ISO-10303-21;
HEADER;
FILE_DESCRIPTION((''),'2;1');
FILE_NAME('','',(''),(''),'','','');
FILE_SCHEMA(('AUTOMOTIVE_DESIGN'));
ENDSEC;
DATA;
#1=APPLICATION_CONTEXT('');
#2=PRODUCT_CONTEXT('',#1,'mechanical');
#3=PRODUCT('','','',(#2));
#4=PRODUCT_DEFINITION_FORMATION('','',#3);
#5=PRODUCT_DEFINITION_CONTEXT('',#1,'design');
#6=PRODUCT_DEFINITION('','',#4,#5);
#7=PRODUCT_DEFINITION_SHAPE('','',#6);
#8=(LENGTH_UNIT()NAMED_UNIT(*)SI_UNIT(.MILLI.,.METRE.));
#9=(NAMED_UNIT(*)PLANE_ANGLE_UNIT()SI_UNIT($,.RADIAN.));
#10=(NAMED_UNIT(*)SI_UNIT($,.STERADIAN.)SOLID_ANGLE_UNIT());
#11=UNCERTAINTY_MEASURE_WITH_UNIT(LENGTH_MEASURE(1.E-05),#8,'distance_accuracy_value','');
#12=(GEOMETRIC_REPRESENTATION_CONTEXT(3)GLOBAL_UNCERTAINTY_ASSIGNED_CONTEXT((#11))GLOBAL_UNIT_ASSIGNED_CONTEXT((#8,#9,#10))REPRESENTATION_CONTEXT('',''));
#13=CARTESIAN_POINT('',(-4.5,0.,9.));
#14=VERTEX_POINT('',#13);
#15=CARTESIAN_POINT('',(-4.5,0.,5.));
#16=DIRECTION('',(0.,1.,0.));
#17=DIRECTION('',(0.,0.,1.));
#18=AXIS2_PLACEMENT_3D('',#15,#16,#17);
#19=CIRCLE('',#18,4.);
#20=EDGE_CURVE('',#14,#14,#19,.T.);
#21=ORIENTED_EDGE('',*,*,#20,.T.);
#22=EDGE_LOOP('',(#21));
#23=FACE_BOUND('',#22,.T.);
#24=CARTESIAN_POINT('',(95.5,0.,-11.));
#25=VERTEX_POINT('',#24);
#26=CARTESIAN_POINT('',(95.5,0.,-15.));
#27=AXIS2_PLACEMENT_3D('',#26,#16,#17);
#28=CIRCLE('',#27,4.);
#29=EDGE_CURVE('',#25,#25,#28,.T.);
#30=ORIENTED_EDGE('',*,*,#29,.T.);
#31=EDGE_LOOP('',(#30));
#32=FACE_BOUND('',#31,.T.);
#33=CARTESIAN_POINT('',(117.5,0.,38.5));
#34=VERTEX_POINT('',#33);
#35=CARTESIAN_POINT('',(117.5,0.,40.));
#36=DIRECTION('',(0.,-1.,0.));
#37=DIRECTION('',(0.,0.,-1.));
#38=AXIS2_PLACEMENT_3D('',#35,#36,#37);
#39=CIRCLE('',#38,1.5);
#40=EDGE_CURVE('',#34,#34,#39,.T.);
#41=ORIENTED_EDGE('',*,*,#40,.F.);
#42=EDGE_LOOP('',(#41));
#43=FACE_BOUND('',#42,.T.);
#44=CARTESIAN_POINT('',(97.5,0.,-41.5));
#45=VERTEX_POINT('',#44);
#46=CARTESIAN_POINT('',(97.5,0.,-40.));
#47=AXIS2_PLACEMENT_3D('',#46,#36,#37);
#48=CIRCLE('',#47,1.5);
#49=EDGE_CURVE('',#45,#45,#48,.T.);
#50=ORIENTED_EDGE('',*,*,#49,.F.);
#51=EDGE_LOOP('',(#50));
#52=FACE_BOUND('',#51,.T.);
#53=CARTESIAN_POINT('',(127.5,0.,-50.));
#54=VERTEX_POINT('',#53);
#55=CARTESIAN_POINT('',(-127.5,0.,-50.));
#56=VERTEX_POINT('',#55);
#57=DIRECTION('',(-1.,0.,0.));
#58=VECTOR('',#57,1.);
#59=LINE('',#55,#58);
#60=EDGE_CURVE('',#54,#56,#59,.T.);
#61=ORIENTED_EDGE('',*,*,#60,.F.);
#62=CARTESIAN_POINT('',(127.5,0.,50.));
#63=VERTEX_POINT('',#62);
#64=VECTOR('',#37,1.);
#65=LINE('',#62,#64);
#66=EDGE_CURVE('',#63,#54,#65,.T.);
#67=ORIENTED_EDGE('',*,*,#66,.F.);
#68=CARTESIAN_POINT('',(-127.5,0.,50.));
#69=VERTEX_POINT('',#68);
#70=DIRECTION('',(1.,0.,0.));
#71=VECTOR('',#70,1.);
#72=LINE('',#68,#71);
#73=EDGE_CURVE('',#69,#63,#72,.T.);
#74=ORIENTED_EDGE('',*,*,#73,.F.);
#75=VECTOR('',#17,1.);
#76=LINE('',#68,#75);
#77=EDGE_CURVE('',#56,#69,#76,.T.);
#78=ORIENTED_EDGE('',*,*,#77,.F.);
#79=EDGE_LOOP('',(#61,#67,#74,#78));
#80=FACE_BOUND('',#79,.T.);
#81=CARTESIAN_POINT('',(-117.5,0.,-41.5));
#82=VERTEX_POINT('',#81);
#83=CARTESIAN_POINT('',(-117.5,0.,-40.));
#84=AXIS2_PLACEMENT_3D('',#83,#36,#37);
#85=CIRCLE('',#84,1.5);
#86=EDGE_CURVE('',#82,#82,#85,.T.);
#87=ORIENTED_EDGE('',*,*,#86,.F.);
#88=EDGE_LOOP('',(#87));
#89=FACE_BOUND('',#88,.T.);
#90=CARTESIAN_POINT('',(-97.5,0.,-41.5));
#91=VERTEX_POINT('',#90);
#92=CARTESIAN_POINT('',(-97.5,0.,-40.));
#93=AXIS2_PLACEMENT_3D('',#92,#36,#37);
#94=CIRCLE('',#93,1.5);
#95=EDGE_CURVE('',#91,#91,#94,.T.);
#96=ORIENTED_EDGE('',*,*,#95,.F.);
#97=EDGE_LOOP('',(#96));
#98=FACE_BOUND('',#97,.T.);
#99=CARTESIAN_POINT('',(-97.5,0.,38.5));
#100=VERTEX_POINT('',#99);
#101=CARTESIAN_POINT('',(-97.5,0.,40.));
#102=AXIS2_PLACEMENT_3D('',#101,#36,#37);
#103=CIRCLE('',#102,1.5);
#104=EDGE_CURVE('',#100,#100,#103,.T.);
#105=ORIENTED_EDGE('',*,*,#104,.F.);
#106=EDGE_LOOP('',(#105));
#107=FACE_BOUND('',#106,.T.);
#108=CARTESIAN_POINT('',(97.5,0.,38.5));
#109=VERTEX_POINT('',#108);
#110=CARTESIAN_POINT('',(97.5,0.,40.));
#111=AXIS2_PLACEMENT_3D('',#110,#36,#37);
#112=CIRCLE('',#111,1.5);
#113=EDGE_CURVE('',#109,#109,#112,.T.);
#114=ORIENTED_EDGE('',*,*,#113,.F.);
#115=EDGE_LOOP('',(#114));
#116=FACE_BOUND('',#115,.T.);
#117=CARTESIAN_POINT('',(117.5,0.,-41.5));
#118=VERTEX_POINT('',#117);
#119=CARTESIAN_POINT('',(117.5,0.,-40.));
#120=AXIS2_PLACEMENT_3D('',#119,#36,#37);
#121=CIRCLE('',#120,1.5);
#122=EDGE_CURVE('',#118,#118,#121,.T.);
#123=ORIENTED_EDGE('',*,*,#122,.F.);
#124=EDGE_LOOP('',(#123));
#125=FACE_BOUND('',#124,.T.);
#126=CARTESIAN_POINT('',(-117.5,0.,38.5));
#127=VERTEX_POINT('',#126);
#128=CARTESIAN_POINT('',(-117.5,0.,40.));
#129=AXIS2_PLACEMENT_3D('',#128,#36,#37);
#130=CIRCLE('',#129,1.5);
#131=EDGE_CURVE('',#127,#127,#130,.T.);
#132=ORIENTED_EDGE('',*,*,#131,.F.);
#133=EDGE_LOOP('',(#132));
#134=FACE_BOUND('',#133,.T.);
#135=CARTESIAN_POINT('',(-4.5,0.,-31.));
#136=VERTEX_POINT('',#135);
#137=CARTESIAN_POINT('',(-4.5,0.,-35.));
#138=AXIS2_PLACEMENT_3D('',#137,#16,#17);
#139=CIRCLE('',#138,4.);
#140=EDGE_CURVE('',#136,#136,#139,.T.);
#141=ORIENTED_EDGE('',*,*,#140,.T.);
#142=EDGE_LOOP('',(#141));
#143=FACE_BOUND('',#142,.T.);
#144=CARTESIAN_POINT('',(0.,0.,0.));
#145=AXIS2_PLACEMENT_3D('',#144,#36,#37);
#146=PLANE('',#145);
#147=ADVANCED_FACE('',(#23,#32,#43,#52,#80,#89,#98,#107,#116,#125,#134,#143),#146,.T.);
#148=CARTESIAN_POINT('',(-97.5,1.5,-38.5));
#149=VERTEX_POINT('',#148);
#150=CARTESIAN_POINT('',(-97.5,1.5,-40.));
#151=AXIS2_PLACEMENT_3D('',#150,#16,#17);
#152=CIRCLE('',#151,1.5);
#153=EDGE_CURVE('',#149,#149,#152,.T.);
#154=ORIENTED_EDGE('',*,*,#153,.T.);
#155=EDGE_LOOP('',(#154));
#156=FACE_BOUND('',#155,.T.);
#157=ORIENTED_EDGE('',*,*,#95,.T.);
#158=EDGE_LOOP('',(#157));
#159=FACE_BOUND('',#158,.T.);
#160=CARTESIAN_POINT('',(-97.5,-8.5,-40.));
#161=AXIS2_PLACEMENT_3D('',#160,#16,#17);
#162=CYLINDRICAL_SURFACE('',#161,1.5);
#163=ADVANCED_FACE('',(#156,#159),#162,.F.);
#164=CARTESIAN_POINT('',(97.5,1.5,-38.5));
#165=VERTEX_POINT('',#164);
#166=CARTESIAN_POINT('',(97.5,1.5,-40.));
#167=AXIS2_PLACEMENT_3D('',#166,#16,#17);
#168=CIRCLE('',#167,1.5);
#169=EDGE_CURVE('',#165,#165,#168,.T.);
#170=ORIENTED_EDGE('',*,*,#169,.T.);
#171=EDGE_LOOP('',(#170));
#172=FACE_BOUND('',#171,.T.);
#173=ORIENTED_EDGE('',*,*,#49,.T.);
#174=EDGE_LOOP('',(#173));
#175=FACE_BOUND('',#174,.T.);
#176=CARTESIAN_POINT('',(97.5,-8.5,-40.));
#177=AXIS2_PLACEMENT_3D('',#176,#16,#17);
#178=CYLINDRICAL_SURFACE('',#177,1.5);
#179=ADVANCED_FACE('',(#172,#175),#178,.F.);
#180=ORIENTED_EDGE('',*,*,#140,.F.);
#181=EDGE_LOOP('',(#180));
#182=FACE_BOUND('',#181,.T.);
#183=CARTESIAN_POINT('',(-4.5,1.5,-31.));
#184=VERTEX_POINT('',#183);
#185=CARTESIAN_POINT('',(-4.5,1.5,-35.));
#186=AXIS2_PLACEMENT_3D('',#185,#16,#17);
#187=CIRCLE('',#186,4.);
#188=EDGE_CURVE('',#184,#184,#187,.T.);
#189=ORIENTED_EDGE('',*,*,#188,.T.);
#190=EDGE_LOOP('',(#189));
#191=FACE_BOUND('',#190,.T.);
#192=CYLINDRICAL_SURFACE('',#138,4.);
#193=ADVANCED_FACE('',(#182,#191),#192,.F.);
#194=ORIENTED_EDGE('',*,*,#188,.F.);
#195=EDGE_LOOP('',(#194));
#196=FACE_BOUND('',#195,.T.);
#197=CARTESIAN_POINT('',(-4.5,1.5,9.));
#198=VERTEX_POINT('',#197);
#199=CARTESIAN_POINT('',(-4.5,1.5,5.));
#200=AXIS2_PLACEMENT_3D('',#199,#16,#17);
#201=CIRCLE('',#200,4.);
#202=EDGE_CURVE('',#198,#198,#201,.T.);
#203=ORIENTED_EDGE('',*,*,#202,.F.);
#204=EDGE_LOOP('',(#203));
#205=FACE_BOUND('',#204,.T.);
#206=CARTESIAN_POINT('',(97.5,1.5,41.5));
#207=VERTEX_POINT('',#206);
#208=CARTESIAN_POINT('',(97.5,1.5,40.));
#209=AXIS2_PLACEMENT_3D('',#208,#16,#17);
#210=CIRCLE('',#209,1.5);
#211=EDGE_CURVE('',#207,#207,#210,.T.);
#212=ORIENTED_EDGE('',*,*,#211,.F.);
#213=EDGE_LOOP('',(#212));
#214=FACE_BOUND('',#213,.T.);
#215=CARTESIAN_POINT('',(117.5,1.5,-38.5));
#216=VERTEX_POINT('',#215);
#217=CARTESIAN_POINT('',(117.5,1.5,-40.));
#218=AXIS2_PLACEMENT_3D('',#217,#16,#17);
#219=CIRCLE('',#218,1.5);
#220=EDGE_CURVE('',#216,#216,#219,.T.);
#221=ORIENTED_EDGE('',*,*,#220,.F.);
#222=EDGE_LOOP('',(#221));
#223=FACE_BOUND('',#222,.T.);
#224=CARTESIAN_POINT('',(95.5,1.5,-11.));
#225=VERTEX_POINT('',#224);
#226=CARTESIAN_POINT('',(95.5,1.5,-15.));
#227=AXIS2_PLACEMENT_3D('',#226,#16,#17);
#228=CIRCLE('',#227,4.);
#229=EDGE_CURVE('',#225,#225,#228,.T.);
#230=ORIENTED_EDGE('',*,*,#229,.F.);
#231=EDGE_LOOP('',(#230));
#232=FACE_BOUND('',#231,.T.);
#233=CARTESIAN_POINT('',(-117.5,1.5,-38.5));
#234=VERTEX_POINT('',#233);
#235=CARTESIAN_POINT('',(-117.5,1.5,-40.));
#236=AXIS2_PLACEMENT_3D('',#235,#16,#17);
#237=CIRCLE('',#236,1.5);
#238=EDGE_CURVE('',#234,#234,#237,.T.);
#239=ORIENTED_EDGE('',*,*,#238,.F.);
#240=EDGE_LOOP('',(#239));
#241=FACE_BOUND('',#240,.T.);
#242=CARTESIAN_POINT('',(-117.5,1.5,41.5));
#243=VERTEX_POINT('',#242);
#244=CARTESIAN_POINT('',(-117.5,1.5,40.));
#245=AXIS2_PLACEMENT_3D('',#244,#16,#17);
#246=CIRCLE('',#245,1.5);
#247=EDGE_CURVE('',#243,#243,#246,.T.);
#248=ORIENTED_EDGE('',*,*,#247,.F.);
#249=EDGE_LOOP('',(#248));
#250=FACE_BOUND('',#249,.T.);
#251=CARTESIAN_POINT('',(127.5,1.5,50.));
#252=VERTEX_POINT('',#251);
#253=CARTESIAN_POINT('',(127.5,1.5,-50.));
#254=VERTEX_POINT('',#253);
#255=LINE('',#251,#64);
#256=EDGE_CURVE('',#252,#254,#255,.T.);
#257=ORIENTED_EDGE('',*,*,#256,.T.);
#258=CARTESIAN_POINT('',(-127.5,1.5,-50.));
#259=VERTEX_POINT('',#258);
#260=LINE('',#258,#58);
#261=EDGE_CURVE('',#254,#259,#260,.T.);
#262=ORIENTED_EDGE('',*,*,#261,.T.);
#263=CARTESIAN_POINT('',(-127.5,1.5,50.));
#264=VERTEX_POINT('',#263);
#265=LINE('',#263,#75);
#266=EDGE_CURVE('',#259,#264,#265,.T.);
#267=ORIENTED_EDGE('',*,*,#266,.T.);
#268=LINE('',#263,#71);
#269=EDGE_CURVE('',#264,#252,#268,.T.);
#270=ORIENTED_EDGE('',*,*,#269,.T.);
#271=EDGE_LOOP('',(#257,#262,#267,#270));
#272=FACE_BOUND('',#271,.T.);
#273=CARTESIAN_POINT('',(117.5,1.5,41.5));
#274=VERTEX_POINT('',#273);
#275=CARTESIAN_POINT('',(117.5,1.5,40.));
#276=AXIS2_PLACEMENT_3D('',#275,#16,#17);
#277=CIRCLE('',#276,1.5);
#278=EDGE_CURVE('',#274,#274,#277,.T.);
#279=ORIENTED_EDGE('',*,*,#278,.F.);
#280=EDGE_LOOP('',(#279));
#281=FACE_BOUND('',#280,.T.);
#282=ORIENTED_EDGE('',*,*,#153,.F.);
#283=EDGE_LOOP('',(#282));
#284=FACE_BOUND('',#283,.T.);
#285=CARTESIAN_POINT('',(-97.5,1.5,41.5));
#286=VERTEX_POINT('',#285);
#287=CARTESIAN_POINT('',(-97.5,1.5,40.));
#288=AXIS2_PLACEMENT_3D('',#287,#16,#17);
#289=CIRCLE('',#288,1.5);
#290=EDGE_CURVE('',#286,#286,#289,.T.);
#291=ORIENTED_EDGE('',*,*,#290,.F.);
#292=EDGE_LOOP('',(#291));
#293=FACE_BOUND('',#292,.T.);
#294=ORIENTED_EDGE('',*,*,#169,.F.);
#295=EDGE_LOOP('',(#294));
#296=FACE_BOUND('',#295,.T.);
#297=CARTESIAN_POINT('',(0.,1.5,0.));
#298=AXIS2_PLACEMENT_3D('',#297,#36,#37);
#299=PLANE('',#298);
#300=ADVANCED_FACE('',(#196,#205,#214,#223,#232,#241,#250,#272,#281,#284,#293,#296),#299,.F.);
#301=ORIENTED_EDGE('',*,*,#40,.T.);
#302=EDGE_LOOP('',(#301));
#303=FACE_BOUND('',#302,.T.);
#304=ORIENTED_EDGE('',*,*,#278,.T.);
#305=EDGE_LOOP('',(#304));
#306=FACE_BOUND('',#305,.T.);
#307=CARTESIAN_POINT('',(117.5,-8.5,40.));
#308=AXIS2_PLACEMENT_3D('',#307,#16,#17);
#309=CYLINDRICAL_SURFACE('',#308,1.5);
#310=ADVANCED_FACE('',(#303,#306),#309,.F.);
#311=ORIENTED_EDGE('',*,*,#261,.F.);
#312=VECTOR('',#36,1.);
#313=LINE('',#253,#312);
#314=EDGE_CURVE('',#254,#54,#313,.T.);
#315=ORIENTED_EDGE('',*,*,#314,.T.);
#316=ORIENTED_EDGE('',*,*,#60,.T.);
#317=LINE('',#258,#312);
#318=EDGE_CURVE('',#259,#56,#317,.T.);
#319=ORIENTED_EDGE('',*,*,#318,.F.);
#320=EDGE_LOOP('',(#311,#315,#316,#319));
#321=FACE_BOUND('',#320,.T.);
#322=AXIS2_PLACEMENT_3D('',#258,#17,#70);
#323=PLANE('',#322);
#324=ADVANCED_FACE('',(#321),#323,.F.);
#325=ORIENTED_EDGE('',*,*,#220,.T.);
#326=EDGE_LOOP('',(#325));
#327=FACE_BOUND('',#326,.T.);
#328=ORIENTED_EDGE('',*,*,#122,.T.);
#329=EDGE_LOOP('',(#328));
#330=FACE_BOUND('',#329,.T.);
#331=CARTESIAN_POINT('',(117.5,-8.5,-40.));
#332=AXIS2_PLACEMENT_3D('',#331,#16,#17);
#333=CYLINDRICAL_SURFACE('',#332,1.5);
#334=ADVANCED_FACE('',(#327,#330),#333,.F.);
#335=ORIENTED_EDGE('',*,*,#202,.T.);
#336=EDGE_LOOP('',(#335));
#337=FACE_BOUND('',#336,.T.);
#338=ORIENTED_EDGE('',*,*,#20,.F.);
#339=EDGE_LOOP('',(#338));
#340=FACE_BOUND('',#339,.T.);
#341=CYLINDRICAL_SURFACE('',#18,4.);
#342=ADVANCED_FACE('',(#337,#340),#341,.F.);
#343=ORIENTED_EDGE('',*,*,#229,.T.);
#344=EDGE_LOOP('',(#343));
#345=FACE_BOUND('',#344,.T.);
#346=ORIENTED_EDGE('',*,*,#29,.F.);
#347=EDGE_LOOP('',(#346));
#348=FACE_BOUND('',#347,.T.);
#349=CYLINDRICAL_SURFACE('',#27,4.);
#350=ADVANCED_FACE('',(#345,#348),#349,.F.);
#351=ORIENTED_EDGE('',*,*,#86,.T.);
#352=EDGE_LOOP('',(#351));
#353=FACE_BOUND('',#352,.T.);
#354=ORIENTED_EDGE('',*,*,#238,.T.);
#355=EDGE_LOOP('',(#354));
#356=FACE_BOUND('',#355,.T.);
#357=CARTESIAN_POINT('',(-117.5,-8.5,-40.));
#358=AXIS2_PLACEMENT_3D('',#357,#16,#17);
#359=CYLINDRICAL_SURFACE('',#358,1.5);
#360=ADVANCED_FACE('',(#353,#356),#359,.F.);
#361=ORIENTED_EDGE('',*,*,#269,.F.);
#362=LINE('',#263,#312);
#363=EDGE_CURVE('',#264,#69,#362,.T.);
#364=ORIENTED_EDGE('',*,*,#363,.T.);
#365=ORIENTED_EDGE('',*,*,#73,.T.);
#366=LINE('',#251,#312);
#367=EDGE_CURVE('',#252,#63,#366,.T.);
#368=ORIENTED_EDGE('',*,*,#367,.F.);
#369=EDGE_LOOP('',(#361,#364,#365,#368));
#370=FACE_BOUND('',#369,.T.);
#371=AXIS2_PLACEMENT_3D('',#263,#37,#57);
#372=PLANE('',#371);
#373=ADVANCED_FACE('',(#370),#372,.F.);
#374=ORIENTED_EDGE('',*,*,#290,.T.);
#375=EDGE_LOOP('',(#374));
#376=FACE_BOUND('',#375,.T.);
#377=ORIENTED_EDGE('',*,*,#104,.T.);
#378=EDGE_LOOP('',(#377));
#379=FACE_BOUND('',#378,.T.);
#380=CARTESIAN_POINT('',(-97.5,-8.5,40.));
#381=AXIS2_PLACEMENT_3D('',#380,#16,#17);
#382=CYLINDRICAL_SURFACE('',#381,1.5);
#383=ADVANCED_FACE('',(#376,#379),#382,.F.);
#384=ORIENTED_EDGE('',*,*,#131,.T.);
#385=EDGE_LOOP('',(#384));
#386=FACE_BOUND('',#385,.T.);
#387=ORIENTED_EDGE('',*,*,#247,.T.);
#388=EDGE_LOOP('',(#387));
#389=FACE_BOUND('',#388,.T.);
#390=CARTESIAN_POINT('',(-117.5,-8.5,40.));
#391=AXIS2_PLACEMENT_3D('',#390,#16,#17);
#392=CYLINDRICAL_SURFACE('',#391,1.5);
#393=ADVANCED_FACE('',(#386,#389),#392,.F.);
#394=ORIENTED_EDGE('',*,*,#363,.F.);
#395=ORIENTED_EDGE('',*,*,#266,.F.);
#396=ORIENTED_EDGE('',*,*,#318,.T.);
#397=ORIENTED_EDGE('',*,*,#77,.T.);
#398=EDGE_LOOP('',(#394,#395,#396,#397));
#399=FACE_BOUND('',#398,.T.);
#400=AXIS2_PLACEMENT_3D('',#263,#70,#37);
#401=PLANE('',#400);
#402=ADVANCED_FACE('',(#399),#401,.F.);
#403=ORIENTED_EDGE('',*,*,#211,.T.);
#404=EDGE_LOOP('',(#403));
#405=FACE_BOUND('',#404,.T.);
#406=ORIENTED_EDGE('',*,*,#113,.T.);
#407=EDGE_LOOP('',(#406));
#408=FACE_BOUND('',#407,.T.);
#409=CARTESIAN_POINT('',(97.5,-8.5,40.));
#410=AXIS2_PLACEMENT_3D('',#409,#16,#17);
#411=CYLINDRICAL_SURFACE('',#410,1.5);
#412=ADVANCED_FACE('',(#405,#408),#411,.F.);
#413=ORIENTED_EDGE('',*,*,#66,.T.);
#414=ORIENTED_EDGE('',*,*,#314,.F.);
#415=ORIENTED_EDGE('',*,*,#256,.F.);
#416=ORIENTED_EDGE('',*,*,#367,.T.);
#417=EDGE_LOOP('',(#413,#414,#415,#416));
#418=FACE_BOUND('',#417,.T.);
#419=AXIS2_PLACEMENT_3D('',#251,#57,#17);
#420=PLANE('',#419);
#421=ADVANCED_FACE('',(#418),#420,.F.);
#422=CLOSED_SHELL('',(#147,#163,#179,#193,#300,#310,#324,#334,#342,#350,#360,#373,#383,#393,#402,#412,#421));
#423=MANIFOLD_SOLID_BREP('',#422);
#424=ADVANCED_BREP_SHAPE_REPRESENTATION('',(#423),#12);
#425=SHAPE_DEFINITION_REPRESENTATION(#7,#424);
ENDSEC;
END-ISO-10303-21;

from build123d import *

# Parameters (mm, degrees)
SKETCH1_W           = 255
SKETCH1_H           = 100
BOSS_EXTRUDE1_DEPTH = 1.5
SKETCH2_R           = 1.5
CUT_EXTRUDE2_DEPTH  = 10
SKETCH4_R           = 4
CUT_EXTRUDE3_DEPTH  = 137.961673471


with BuildPart() as part:
    # Sketch1 → Boss-Extrude1 (new body)
    with BuildSketch(Plane(origin=(0, 0, 0), x_dir=(1, 0, 0), z_dir=(0, 1, 0))):
        Rectangle(SKETCH1_W, SKETCH1_H)
    extrude(amount=BOSS_EXTRUDE1_DEPTH)

    # Sketch2 → Cut-Extrude2 (cut)
    with BuildSketch(Plane(origin=(0, 1.5, 0), x_dir=(1, 0, 0), z_dir=(0, 1, 0))):
        with Locations(Location((117.5, 40, 0), (0, 0, 270))):
            Circle(SKETCH2_R)
        with Locations(Location((97.5, 40, 0), (0, 0, 270))):
            Circle(SKETCH2_R)
        with Locations(Location((97.5, -40, 0), (0, 0, 270))):
            Circle(SKETCH2_R)
        with Locations(Location((117.5, -40, 0), (0, 0, 270))):
            Circle(SKETCH2_R)
        with Locations(Location((-97.5, 40, 0), (0, 0, 270))):
            Circle(SKETCH2_R)
        with Locations(Location((-117.5, 40, 0), (0, 0, 270))):
            Circle(SKETCH2_R)
        with Locations(Location((-117.5, -40, 0), (0, 0, 270))):
            Circle(SKETCH2_R)
        with Locations(Location((-97.5, -40, 0), (0, 0, 270))):
            Circle(SKETCH2_R)
    extrude(amount=-CUT_EXTRUDE2_DEPTH, mode=Mode.SUBTRACT)

    # Sketch4 → Cut-Extrude3 (cut, through all)
    with BuildSketch(Plane(origin=(0, 1.5, 0), x_dir=(1, 0, 0), z_dir=(0, 1, 0))):
        with Locations(Location((95.5, 15, 0), (0, 0, 270))):
            Circle(SKETCH4_R)
        with Locations(Location((-4.5, 35, 0), (0, 0, 270))):
            Circle(SKETCH4_R)
        with Locations(Location((-4.5, -5, 0), (0, 0, 270))):
            Circle(SKETCH4_R)
    extrude(amount=-CUT_EXTRUDE3_DEPTH, mode=Mode.SUBTRACT)


solid = part.part
